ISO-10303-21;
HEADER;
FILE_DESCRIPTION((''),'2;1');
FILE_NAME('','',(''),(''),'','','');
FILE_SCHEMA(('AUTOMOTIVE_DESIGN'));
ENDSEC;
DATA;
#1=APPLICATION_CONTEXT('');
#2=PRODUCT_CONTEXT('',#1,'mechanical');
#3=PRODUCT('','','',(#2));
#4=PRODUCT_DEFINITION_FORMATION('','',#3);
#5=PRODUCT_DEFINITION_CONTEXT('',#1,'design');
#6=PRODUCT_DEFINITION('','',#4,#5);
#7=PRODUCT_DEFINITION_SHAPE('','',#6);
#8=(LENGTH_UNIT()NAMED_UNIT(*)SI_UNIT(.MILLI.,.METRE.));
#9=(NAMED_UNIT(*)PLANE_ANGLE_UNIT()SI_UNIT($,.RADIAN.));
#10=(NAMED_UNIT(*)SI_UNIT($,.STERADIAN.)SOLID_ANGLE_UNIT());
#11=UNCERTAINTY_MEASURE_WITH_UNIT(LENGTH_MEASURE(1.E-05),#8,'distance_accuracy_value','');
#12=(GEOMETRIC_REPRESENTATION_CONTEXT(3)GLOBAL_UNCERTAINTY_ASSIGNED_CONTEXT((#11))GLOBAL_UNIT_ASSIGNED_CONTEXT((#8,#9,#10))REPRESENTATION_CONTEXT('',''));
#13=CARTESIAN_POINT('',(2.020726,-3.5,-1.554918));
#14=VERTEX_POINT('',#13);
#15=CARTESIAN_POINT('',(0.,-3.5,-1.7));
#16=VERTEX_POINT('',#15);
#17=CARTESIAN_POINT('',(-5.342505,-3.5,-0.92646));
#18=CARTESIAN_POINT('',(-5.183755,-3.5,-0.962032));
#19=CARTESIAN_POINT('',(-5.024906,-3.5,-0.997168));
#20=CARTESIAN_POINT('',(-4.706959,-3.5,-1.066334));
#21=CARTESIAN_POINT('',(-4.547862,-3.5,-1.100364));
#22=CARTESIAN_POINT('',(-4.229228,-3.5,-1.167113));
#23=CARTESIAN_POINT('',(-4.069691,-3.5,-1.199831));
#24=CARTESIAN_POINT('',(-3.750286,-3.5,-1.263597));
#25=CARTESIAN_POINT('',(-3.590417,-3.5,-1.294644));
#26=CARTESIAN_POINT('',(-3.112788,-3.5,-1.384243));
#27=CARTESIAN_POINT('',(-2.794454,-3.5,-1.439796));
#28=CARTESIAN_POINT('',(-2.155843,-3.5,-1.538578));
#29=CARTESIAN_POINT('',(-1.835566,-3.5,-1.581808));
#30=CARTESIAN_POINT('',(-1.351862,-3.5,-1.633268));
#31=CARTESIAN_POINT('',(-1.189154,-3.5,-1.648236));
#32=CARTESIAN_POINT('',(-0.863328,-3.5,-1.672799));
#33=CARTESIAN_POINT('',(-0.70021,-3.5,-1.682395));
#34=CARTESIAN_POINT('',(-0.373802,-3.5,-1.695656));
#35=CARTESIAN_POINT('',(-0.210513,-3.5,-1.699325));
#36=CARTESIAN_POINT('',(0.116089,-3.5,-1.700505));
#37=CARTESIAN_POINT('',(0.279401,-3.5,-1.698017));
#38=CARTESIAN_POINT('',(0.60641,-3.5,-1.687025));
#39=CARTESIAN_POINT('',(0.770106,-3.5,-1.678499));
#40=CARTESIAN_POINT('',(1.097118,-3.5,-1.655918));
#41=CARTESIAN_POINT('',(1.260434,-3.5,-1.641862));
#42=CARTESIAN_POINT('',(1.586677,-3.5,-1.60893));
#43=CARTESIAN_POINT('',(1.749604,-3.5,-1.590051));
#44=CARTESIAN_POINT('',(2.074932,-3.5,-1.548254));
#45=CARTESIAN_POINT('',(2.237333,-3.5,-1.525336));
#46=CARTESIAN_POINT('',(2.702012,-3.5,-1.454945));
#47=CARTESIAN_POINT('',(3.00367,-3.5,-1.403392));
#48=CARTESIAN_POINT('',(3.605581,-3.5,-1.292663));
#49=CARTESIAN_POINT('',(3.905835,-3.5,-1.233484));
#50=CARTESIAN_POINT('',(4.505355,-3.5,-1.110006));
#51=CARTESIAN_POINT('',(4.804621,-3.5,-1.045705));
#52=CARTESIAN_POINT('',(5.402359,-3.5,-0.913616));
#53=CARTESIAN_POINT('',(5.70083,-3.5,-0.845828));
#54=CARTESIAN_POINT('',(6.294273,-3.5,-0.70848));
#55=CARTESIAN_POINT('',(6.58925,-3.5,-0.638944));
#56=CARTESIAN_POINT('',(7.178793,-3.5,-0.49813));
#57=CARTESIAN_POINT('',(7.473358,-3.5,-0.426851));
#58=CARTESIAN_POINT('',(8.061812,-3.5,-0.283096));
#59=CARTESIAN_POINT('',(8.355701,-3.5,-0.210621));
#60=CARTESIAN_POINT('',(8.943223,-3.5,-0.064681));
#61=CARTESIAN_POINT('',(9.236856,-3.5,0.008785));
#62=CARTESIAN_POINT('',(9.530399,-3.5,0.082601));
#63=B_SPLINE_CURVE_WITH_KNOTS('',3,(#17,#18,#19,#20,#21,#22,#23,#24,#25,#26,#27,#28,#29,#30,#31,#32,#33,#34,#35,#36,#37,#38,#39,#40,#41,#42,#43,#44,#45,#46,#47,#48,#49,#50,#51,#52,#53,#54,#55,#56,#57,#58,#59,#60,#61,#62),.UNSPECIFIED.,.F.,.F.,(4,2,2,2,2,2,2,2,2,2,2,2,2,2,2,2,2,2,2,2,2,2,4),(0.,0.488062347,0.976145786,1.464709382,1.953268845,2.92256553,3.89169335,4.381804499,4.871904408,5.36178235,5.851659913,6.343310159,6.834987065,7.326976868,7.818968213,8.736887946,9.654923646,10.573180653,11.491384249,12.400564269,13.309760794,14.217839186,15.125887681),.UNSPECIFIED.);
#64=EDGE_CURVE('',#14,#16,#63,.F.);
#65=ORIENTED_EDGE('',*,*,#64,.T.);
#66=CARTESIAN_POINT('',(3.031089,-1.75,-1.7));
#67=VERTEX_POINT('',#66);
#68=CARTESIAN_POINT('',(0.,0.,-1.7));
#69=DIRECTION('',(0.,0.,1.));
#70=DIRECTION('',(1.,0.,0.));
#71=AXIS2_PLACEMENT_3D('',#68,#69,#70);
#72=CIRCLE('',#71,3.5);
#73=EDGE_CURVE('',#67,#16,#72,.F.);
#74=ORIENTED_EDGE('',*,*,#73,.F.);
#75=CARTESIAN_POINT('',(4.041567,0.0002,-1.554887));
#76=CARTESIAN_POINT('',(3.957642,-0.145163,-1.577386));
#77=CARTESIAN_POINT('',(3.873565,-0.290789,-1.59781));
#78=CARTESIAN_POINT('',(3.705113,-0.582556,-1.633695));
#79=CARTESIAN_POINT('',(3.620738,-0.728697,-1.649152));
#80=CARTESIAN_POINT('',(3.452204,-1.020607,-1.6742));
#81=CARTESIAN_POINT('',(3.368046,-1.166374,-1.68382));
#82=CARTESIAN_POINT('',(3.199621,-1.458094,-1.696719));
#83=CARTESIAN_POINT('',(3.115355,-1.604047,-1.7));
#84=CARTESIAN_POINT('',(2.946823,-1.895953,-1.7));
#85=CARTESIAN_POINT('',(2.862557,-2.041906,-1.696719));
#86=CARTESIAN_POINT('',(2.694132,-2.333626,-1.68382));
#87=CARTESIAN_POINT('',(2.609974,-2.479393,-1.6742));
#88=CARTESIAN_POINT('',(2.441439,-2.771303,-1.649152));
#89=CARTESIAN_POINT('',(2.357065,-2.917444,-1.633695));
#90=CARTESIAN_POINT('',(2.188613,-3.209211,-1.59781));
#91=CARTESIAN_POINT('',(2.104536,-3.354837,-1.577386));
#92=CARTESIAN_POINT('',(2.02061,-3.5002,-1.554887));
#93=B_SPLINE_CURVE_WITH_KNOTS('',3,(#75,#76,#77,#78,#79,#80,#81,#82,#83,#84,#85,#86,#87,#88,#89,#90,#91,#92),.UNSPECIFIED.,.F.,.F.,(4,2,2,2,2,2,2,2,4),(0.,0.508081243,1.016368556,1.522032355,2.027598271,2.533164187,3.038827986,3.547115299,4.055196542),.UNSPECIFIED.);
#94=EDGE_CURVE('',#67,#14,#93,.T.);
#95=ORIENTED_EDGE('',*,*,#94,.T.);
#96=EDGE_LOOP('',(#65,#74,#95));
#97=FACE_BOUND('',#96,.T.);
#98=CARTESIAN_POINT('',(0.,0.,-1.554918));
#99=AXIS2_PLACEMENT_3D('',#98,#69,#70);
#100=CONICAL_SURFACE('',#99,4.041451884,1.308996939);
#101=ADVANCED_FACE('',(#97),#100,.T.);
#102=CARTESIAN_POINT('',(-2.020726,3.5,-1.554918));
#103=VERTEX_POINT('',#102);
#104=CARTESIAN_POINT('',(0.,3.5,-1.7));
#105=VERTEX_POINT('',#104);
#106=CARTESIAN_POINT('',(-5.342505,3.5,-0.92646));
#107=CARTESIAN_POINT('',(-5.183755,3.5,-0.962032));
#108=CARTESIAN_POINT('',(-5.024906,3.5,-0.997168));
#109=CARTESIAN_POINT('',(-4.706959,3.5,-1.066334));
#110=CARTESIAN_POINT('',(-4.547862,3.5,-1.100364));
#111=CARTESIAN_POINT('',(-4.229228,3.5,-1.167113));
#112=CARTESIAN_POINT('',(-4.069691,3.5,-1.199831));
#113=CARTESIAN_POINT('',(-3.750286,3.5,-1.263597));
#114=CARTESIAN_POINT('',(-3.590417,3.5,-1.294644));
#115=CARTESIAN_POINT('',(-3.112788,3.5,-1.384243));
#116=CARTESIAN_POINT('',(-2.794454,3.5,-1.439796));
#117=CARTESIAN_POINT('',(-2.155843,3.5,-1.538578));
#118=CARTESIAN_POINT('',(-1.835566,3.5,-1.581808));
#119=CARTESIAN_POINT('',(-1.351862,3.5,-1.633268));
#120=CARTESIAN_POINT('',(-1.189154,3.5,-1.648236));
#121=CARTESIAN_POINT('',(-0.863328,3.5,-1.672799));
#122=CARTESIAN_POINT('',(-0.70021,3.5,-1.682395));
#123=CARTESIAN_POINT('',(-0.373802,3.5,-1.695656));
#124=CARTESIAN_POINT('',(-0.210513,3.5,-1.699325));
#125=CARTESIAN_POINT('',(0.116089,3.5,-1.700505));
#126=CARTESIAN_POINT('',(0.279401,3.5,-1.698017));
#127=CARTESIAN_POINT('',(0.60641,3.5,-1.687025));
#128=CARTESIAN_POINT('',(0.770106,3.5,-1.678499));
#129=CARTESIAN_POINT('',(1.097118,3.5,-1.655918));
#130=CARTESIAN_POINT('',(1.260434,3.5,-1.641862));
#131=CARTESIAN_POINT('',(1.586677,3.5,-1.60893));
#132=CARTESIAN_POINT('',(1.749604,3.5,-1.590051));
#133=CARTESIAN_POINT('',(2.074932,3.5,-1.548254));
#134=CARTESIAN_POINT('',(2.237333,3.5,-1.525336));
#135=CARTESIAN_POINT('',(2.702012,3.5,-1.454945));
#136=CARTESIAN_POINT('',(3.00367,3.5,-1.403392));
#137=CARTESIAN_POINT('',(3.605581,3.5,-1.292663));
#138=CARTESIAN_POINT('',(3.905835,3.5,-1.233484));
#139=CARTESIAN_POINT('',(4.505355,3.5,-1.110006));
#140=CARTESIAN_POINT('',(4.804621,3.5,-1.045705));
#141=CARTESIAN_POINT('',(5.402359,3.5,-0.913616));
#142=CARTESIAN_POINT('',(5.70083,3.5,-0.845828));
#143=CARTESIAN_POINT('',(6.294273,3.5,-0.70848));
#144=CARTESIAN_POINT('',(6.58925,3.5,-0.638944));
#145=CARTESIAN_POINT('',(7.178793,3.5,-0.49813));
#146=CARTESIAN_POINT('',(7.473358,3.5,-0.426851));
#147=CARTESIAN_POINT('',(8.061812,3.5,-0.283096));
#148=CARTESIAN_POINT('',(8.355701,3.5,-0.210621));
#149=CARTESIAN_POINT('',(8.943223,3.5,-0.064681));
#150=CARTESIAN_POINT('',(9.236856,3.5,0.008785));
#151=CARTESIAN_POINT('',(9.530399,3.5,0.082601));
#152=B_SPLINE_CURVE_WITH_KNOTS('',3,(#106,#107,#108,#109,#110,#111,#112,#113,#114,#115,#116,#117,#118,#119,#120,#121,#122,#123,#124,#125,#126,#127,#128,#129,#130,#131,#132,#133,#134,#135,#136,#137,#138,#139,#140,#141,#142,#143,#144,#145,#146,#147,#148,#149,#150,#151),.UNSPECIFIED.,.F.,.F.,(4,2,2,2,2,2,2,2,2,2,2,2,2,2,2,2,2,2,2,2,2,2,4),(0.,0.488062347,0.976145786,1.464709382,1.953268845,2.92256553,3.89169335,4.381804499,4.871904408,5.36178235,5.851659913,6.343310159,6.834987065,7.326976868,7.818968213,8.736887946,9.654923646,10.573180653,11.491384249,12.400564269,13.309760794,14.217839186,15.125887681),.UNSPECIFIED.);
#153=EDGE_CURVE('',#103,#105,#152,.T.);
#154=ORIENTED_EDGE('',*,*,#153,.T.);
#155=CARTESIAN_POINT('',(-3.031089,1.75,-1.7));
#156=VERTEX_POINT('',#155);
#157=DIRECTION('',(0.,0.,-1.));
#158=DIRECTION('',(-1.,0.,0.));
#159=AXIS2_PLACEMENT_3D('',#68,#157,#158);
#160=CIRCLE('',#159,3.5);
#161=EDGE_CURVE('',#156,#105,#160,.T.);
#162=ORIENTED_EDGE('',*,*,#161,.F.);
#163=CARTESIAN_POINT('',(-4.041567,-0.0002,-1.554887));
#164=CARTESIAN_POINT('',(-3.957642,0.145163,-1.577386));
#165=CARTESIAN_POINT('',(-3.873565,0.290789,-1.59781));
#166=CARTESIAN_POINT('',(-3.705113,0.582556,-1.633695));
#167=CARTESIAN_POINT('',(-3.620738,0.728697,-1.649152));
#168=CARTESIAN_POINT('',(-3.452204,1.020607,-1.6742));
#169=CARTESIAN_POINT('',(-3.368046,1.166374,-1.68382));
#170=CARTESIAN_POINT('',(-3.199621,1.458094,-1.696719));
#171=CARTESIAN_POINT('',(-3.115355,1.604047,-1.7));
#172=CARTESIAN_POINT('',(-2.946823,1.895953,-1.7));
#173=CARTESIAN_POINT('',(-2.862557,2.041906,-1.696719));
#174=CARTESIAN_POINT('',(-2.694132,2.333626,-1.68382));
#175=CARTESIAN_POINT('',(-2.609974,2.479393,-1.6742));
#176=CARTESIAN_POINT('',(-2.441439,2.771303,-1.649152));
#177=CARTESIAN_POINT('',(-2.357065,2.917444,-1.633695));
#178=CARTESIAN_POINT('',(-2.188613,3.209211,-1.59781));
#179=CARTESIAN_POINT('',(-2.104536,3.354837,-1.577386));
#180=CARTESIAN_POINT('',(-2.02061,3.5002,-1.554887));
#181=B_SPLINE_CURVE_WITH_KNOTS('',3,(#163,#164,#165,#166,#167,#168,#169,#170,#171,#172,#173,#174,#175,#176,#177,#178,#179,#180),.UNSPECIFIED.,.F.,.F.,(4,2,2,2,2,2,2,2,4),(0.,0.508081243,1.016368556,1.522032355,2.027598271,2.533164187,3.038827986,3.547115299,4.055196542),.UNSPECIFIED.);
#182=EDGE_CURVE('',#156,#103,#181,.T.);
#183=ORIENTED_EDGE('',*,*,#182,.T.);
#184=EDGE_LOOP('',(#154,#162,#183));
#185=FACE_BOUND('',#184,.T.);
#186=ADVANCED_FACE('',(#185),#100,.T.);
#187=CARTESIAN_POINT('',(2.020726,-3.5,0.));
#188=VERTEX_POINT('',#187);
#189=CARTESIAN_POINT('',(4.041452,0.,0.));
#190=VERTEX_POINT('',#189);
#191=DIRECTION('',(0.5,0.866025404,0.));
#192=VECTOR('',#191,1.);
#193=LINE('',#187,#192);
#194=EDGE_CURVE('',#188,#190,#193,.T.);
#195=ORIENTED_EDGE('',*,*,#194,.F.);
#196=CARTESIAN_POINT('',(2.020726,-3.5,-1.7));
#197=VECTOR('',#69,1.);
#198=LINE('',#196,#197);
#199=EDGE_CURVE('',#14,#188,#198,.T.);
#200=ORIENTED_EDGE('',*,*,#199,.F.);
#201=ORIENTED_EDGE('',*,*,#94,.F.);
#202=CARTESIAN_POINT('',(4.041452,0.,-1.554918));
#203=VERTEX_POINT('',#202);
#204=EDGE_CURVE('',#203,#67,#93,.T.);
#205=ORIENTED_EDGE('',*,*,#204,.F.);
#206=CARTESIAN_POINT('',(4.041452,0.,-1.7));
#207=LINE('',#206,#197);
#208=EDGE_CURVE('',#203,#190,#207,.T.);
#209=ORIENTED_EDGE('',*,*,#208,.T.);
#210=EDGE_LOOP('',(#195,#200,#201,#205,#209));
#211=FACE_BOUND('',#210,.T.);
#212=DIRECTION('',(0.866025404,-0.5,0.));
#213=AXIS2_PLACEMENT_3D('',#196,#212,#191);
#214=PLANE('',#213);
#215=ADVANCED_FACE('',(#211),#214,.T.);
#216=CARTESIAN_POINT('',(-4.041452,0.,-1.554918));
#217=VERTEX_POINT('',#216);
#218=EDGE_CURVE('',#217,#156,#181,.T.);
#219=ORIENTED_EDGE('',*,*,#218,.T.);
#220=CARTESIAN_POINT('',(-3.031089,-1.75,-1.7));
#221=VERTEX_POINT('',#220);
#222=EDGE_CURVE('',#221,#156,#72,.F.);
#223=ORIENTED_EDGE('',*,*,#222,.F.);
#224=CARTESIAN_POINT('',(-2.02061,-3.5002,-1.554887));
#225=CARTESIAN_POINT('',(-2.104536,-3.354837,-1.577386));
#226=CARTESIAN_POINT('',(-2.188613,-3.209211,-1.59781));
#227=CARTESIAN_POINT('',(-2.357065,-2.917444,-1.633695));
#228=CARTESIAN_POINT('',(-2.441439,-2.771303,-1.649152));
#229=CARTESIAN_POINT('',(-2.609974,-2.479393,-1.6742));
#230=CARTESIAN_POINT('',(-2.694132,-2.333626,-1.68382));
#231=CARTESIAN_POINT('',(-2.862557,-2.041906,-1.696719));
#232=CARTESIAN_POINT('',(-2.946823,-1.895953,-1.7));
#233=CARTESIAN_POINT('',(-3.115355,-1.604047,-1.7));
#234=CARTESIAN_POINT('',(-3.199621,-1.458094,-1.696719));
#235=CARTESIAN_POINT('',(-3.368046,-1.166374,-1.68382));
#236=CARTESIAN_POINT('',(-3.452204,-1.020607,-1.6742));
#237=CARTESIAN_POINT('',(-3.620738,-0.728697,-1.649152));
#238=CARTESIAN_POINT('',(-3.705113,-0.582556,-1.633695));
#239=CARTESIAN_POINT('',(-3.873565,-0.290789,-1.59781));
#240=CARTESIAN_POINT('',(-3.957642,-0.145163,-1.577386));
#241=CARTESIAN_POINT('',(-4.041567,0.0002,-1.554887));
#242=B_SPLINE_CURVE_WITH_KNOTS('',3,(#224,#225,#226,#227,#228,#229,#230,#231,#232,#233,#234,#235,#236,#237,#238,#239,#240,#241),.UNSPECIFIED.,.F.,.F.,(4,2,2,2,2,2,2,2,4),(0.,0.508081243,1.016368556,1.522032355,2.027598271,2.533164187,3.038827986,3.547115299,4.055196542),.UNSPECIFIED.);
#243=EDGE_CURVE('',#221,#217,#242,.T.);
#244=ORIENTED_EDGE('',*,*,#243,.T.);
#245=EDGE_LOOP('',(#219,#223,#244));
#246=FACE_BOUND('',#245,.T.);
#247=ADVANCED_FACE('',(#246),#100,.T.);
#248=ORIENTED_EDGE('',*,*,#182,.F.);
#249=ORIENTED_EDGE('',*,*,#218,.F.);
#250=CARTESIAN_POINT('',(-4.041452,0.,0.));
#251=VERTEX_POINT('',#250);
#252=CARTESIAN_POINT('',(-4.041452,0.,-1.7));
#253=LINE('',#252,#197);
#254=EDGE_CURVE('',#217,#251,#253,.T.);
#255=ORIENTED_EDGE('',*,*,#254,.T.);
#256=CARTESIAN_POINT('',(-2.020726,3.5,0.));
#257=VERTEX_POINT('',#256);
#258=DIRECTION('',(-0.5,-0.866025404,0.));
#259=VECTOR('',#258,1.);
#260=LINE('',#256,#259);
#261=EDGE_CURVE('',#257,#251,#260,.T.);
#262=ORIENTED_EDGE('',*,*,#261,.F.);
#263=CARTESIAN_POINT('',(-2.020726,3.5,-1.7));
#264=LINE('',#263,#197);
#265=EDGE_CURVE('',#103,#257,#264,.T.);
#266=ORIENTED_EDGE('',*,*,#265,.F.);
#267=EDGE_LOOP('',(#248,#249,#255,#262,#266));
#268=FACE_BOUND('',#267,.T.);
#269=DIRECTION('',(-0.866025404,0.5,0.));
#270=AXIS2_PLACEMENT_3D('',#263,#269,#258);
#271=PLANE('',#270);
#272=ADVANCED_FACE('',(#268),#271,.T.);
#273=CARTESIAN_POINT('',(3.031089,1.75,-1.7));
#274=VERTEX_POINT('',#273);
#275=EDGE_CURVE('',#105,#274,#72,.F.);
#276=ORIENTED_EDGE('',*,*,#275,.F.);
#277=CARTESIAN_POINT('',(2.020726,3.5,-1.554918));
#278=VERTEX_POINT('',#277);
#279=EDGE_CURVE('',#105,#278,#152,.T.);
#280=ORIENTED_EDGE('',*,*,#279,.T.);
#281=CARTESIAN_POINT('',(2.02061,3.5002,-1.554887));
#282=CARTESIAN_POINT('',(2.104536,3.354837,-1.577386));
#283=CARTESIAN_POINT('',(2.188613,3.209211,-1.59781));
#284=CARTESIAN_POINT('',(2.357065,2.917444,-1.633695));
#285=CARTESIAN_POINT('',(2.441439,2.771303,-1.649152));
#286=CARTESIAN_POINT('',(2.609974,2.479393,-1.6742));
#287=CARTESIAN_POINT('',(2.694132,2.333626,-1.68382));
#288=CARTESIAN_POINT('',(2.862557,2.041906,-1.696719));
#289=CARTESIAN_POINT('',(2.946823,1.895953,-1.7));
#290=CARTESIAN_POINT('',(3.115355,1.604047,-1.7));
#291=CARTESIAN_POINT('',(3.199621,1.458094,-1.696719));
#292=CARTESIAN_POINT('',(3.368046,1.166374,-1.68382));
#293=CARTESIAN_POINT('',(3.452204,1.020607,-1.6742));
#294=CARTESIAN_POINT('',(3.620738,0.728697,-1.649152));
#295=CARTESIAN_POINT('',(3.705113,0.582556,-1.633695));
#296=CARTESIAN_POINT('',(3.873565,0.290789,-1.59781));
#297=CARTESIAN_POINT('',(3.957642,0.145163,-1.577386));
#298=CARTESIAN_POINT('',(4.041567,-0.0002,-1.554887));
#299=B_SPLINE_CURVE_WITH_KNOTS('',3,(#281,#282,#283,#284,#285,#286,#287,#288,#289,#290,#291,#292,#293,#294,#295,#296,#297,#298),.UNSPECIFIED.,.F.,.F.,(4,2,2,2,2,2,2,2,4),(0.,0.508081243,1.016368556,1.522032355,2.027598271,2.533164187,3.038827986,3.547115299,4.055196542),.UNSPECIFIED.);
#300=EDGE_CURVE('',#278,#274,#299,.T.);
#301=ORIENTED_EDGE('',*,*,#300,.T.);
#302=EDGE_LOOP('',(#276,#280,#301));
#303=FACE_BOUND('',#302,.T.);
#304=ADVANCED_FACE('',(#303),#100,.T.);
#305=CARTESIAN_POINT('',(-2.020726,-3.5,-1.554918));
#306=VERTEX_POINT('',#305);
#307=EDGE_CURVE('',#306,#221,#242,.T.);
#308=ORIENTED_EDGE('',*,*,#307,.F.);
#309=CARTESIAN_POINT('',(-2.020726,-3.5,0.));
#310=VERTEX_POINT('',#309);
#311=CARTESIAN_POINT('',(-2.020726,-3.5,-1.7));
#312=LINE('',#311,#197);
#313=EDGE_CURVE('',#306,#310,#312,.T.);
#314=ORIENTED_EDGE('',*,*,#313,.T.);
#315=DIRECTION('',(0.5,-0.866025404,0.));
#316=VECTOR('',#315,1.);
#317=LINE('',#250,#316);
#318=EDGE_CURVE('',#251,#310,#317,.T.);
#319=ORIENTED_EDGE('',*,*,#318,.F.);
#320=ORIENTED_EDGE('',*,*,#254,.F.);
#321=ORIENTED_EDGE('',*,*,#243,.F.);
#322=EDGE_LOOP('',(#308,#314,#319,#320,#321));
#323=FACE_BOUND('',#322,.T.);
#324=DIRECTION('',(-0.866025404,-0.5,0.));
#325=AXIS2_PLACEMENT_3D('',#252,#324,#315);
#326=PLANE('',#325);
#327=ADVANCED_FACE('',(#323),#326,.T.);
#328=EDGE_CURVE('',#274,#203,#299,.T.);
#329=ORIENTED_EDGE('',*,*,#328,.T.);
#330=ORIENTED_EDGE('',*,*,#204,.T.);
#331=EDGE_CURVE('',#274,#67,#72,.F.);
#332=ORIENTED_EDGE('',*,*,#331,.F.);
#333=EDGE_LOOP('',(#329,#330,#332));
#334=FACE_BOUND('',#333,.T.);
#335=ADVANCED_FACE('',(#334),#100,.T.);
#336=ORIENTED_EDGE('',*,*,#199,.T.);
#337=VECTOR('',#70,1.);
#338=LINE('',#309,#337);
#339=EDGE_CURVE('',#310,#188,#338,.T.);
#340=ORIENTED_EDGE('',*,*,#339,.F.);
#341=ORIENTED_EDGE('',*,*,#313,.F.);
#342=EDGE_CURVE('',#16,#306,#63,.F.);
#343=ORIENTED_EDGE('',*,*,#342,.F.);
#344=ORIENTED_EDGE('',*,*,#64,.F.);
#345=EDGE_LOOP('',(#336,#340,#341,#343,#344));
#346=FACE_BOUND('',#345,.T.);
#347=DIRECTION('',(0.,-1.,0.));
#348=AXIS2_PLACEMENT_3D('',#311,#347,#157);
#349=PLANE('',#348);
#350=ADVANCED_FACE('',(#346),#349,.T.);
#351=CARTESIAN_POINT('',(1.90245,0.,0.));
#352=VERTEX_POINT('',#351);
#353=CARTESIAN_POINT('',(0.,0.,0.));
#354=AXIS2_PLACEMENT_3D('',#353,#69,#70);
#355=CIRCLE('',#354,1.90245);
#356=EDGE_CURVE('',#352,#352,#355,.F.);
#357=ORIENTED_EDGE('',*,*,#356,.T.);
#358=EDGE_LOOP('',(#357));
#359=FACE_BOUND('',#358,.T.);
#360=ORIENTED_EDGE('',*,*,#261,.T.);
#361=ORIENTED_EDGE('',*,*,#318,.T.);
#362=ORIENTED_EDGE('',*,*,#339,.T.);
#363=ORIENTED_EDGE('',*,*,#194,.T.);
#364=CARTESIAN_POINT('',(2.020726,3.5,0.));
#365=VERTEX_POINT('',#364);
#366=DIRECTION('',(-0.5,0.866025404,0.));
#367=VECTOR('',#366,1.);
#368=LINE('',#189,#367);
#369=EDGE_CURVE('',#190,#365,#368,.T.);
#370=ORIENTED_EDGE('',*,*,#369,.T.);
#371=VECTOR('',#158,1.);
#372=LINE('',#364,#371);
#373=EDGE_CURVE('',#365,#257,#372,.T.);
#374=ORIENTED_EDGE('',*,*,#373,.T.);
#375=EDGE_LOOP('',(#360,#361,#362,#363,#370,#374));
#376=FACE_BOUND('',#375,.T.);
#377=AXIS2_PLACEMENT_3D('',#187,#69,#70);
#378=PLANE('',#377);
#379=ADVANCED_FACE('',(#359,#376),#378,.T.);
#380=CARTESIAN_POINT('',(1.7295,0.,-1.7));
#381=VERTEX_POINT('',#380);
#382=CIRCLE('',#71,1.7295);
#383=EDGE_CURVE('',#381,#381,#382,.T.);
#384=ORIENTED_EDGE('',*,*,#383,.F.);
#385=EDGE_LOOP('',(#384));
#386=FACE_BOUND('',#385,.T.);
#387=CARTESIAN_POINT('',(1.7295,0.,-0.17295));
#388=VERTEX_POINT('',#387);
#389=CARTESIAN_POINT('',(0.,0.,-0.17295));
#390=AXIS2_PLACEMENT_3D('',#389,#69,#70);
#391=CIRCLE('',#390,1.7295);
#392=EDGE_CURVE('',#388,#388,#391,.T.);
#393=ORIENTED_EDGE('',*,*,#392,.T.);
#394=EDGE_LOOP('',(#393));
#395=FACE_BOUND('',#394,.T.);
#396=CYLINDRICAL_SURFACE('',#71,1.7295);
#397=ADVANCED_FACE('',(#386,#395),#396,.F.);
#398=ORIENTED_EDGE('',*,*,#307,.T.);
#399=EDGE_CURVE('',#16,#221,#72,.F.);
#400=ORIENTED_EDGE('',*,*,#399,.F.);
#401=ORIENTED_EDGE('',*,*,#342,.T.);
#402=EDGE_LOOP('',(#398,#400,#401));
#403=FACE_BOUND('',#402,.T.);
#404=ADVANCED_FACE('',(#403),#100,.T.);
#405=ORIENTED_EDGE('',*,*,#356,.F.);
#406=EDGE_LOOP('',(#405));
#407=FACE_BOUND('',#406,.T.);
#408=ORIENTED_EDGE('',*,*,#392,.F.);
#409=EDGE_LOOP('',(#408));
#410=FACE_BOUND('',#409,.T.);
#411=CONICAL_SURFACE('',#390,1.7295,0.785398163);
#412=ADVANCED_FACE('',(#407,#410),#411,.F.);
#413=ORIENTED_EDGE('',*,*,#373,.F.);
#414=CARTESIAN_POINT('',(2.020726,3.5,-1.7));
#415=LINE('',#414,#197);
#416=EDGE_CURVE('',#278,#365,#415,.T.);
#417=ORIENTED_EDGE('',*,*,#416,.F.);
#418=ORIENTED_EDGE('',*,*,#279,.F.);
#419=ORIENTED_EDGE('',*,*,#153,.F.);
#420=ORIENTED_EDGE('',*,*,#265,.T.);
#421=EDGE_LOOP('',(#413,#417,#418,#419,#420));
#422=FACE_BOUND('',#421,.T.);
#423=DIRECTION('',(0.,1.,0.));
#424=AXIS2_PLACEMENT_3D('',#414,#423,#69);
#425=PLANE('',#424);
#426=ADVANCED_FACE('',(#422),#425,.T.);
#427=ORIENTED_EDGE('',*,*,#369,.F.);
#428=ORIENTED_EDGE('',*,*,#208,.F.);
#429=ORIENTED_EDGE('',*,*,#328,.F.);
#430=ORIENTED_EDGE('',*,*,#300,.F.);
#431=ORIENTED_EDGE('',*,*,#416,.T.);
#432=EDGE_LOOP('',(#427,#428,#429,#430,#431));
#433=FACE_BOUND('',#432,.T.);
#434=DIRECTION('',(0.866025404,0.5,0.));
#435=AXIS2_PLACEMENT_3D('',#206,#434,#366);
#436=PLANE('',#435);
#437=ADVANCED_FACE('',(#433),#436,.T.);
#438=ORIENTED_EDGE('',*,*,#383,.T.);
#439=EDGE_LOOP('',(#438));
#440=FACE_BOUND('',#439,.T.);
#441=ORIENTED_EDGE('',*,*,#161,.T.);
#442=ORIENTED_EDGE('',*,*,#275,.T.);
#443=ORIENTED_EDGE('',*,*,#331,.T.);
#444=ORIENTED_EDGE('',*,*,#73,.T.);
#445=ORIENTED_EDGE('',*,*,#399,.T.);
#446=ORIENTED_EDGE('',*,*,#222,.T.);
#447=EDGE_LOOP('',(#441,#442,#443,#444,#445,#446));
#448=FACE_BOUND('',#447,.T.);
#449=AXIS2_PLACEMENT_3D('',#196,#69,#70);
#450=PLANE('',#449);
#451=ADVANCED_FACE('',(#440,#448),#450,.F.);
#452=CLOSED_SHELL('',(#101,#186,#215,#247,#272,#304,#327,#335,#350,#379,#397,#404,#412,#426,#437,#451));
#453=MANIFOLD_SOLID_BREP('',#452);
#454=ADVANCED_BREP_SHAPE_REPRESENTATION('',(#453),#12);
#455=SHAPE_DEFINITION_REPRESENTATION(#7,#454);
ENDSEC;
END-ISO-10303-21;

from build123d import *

# Parameters (mm, degrees)
SKETCH1_R     = 1.7295
BASENUT_DEPTH = 1.7
CHAMFER1_SIZE = 0.17295


with BuildPart() as part:
    # Sketch1 → BaseNut (new body)
    with BuildSketch(Plane.XY):
        Polygon((2.020725942, -3.5), (4.041451884, 0), (2.020725942, 3.5), (-2.020725942, 3.5), (-4.041451884, 0), (-2.020725942, -3.5), align=None)
        Circle(SKETCH1_R, mode=Mode.SUBTRACT)
    extrude(amount=-BASENUT_DEPTH)

    # Sketch2 → Double-Chamfer (revolve, cut)
    with BuildSketch(Plane(origin=(0, 0, 0), x_dir=(1, 0, 0), z_dir=(0, 1, 0))):
        Polygon((-4.041451884, 1.7), (-3.5, 1.7), (-4.041451884, 1.554918405), align=None)
    revolve(axis=Axis((0, 0, -3.375940562), (0, 0, 1)), mode=Mode.SUBTRACT)

    # Chamfer1
    chamfer1_edges = [part.edges().sort_by_distance(p)[0] for p in [
        (-1.7295, 0, 0),
    ]]
    chamfer(chamfer1_edges, length=CHAMFER1_SIZE)


solid = part.part
